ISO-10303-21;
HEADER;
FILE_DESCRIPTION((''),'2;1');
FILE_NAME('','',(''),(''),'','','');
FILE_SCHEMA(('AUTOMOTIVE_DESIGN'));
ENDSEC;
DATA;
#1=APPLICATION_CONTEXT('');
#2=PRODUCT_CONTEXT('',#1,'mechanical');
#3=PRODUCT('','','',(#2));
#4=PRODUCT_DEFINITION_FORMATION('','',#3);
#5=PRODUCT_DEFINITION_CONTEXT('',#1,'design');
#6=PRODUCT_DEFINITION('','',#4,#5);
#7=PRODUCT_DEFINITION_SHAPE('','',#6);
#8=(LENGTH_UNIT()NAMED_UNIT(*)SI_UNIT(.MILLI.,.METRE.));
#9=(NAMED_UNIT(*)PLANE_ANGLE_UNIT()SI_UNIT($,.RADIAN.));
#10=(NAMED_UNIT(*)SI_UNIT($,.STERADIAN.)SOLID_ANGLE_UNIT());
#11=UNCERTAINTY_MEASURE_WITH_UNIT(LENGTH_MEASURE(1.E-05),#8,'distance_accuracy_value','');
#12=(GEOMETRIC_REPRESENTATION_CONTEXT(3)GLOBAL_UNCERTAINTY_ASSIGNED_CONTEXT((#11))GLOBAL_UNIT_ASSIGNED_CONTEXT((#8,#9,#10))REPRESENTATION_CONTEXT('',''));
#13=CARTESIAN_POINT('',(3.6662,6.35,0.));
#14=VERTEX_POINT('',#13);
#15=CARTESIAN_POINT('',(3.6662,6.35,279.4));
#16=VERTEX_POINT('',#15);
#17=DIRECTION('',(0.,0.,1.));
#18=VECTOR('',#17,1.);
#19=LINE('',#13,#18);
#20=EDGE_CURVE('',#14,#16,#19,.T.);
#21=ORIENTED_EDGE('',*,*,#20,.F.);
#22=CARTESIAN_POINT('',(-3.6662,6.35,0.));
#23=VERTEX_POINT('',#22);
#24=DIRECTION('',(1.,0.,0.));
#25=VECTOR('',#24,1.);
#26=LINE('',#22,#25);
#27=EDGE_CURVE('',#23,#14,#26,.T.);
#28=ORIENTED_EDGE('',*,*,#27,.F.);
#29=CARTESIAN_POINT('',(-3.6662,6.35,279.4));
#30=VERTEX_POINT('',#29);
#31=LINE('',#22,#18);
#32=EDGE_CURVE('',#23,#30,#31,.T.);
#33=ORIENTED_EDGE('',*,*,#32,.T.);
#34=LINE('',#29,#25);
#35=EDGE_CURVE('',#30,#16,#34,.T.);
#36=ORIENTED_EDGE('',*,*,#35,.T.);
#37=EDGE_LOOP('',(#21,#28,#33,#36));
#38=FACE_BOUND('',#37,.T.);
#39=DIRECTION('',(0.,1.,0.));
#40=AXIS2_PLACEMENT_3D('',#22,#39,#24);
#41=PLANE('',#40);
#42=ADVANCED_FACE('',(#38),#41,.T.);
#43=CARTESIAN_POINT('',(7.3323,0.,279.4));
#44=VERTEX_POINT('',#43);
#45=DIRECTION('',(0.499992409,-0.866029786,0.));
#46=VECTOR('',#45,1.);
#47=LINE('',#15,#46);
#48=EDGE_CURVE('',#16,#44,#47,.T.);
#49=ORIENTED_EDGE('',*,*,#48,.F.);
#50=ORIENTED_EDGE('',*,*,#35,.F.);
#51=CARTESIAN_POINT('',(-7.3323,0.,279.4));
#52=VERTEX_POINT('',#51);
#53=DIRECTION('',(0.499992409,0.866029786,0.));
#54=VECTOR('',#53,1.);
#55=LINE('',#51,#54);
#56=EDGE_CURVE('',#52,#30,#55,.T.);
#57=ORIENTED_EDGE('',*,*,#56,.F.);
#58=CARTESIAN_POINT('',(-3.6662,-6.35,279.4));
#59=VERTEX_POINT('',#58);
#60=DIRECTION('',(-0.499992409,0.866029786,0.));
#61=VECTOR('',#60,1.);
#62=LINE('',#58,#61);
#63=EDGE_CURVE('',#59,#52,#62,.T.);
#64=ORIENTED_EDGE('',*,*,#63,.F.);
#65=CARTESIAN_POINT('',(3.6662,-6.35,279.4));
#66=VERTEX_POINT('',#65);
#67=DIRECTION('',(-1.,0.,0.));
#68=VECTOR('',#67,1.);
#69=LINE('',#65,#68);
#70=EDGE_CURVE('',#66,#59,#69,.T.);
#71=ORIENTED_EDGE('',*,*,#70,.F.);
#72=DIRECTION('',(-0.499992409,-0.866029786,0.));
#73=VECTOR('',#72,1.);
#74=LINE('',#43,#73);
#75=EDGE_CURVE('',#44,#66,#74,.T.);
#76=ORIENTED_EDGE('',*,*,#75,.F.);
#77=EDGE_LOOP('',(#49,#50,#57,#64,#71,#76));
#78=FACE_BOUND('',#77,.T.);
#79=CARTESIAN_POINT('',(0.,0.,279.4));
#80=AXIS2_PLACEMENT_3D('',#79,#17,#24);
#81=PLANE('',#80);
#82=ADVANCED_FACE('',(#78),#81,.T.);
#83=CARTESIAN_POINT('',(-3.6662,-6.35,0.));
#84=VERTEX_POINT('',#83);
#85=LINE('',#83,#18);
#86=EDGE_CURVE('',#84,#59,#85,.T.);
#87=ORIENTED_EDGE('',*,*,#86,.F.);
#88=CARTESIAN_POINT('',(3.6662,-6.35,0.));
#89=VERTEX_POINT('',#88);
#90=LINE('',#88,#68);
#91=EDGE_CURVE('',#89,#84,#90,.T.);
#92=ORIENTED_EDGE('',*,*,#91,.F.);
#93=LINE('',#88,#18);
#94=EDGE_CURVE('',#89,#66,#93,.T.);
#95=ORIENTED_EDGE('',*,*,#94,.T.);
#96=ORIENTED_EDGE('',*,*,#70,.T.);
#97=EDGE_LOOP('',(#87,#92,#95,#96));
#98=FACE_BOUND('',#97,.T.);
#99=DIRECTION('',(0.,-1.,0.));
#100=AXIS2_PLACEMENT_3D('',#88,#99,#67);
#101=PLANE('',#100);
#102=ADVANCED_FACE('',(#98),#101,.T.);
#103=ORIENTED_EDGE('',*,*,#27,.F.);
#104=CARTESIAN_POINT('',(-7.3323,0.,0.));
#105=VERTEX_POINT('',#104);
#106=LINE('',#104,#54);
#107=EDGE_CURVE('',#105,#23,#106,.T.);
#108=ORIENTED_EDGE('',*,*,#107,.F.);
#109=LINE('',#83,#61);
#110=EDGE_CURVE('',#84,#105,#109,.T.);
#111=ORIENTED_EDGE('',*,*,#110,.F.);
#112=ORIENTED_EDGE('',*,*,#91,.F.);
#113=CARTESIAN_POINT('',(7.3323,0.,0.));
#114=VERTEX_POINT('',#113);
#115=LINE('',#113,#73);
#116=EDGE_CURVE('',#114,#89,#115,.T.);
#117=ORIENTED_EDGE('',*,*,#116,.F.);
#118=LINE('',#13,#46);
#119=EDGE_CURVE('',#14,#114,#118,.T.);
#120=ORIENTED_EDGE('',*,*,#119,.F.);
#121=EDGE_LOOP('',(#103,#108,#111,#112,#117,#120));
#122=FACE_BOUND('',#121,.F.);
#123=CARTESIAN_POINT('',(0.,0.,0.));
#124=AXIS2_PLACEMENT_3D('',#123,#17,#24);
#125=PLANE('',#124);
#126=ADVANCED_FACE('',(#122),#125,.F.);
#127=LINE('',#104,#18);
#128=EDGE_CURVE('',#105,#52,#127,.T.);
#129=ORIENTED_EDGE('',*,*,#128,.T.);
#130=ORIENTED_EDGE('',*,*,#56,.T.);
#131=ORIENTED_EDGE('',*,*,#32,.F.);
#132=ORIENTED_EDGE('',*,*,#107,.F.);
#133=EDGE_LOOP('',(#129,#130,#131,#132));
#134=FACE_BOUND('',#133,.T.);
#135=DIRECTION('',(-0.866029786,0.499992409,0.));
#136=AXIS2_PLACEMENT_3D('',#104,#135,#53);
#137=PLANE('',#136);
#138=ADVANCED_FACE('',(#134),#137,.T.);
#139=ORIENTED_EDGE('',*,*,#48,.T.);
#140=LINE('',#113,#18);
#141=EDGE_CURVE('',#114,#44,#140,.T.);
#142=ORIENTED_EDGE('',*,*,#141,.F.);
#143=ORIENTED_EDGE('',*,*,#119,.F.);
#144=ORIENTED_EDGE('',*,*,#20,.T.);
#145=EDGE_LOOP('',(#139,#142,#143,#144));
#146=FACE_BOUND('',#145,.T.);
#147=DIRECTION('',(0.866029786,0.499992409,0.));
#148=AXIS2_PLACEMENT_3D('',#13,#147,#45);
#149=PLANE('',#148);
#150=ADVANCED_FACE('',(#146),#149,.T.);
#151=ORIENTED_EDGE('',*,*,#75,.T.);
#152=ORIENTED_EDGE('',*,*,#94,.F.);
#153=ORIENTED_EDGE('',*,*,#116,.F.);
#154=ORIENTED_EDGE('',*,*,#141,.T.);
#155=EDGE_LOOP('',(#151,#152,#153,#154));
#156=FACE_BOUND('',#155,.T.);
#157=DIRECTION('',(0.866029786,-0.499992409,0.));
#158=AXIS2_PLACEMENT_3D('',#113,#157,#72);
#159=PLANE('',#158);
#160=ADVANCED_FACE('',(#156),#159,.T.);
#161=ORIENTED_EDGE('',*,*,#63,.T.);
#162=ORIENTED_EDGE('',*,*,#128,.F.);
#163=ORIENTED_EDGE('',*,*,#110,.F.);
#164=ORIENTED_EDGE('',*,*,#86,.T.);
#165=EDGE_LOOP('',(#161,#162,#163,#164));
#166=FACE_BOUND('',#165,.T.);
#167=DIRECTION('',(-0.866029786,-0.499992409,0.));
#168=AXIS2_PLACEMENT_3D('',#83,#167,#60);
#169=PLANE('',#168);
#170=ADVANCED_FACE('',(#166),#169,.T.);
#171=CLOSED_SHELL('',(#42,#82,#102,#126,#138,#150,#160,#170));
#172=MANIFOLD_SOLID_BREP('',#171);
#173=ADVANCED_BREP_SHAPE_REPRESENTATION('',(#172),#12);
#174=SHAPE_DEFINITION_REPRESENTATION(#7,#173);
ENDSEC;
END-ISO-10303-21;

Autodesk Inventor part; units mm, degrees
ref_plane "YZ Plane" through (0, 0, 0) normal (1, 0, 0) x (0, 1, 0)
ref_plane "XZ Plane" through (0, 0, 0) normal (0, 1, 0) x (-1, 0, 0)
ref_plane "XY Plane" through (0, 0, 0) normal (0, 0, 1) x (1, 0, 0)
sketch "Sketch1" plane through (0, 0, 0) normal (0, 0, 1) x (1, 0, 0)
  line L0 (3.6662, 6.35) -> (7.3323, 0)
  line L1 (7.3323, 0) -> (3.6662, -6.35)
  line L2 (3.6662, -6.35) -> (-3.6662, -6.35)
  line L3 (-3.6662, -6.35) -> (-7.3323, 0)
  line L4 (-7.3323, 0) -> (-3.6662, 6.35)
  line L5 (-3.6662, 6.35) -> (3.6662, 6.35)
  point P0 (0, 0)
  point P1 (0, 0)
  dimension "d0" = 12.7
extrude "Extrusion1" add sketch "Sketch1" along normal blind 279.4
properties part number "hex rod 11 inch" material "Steel, Alloy"
